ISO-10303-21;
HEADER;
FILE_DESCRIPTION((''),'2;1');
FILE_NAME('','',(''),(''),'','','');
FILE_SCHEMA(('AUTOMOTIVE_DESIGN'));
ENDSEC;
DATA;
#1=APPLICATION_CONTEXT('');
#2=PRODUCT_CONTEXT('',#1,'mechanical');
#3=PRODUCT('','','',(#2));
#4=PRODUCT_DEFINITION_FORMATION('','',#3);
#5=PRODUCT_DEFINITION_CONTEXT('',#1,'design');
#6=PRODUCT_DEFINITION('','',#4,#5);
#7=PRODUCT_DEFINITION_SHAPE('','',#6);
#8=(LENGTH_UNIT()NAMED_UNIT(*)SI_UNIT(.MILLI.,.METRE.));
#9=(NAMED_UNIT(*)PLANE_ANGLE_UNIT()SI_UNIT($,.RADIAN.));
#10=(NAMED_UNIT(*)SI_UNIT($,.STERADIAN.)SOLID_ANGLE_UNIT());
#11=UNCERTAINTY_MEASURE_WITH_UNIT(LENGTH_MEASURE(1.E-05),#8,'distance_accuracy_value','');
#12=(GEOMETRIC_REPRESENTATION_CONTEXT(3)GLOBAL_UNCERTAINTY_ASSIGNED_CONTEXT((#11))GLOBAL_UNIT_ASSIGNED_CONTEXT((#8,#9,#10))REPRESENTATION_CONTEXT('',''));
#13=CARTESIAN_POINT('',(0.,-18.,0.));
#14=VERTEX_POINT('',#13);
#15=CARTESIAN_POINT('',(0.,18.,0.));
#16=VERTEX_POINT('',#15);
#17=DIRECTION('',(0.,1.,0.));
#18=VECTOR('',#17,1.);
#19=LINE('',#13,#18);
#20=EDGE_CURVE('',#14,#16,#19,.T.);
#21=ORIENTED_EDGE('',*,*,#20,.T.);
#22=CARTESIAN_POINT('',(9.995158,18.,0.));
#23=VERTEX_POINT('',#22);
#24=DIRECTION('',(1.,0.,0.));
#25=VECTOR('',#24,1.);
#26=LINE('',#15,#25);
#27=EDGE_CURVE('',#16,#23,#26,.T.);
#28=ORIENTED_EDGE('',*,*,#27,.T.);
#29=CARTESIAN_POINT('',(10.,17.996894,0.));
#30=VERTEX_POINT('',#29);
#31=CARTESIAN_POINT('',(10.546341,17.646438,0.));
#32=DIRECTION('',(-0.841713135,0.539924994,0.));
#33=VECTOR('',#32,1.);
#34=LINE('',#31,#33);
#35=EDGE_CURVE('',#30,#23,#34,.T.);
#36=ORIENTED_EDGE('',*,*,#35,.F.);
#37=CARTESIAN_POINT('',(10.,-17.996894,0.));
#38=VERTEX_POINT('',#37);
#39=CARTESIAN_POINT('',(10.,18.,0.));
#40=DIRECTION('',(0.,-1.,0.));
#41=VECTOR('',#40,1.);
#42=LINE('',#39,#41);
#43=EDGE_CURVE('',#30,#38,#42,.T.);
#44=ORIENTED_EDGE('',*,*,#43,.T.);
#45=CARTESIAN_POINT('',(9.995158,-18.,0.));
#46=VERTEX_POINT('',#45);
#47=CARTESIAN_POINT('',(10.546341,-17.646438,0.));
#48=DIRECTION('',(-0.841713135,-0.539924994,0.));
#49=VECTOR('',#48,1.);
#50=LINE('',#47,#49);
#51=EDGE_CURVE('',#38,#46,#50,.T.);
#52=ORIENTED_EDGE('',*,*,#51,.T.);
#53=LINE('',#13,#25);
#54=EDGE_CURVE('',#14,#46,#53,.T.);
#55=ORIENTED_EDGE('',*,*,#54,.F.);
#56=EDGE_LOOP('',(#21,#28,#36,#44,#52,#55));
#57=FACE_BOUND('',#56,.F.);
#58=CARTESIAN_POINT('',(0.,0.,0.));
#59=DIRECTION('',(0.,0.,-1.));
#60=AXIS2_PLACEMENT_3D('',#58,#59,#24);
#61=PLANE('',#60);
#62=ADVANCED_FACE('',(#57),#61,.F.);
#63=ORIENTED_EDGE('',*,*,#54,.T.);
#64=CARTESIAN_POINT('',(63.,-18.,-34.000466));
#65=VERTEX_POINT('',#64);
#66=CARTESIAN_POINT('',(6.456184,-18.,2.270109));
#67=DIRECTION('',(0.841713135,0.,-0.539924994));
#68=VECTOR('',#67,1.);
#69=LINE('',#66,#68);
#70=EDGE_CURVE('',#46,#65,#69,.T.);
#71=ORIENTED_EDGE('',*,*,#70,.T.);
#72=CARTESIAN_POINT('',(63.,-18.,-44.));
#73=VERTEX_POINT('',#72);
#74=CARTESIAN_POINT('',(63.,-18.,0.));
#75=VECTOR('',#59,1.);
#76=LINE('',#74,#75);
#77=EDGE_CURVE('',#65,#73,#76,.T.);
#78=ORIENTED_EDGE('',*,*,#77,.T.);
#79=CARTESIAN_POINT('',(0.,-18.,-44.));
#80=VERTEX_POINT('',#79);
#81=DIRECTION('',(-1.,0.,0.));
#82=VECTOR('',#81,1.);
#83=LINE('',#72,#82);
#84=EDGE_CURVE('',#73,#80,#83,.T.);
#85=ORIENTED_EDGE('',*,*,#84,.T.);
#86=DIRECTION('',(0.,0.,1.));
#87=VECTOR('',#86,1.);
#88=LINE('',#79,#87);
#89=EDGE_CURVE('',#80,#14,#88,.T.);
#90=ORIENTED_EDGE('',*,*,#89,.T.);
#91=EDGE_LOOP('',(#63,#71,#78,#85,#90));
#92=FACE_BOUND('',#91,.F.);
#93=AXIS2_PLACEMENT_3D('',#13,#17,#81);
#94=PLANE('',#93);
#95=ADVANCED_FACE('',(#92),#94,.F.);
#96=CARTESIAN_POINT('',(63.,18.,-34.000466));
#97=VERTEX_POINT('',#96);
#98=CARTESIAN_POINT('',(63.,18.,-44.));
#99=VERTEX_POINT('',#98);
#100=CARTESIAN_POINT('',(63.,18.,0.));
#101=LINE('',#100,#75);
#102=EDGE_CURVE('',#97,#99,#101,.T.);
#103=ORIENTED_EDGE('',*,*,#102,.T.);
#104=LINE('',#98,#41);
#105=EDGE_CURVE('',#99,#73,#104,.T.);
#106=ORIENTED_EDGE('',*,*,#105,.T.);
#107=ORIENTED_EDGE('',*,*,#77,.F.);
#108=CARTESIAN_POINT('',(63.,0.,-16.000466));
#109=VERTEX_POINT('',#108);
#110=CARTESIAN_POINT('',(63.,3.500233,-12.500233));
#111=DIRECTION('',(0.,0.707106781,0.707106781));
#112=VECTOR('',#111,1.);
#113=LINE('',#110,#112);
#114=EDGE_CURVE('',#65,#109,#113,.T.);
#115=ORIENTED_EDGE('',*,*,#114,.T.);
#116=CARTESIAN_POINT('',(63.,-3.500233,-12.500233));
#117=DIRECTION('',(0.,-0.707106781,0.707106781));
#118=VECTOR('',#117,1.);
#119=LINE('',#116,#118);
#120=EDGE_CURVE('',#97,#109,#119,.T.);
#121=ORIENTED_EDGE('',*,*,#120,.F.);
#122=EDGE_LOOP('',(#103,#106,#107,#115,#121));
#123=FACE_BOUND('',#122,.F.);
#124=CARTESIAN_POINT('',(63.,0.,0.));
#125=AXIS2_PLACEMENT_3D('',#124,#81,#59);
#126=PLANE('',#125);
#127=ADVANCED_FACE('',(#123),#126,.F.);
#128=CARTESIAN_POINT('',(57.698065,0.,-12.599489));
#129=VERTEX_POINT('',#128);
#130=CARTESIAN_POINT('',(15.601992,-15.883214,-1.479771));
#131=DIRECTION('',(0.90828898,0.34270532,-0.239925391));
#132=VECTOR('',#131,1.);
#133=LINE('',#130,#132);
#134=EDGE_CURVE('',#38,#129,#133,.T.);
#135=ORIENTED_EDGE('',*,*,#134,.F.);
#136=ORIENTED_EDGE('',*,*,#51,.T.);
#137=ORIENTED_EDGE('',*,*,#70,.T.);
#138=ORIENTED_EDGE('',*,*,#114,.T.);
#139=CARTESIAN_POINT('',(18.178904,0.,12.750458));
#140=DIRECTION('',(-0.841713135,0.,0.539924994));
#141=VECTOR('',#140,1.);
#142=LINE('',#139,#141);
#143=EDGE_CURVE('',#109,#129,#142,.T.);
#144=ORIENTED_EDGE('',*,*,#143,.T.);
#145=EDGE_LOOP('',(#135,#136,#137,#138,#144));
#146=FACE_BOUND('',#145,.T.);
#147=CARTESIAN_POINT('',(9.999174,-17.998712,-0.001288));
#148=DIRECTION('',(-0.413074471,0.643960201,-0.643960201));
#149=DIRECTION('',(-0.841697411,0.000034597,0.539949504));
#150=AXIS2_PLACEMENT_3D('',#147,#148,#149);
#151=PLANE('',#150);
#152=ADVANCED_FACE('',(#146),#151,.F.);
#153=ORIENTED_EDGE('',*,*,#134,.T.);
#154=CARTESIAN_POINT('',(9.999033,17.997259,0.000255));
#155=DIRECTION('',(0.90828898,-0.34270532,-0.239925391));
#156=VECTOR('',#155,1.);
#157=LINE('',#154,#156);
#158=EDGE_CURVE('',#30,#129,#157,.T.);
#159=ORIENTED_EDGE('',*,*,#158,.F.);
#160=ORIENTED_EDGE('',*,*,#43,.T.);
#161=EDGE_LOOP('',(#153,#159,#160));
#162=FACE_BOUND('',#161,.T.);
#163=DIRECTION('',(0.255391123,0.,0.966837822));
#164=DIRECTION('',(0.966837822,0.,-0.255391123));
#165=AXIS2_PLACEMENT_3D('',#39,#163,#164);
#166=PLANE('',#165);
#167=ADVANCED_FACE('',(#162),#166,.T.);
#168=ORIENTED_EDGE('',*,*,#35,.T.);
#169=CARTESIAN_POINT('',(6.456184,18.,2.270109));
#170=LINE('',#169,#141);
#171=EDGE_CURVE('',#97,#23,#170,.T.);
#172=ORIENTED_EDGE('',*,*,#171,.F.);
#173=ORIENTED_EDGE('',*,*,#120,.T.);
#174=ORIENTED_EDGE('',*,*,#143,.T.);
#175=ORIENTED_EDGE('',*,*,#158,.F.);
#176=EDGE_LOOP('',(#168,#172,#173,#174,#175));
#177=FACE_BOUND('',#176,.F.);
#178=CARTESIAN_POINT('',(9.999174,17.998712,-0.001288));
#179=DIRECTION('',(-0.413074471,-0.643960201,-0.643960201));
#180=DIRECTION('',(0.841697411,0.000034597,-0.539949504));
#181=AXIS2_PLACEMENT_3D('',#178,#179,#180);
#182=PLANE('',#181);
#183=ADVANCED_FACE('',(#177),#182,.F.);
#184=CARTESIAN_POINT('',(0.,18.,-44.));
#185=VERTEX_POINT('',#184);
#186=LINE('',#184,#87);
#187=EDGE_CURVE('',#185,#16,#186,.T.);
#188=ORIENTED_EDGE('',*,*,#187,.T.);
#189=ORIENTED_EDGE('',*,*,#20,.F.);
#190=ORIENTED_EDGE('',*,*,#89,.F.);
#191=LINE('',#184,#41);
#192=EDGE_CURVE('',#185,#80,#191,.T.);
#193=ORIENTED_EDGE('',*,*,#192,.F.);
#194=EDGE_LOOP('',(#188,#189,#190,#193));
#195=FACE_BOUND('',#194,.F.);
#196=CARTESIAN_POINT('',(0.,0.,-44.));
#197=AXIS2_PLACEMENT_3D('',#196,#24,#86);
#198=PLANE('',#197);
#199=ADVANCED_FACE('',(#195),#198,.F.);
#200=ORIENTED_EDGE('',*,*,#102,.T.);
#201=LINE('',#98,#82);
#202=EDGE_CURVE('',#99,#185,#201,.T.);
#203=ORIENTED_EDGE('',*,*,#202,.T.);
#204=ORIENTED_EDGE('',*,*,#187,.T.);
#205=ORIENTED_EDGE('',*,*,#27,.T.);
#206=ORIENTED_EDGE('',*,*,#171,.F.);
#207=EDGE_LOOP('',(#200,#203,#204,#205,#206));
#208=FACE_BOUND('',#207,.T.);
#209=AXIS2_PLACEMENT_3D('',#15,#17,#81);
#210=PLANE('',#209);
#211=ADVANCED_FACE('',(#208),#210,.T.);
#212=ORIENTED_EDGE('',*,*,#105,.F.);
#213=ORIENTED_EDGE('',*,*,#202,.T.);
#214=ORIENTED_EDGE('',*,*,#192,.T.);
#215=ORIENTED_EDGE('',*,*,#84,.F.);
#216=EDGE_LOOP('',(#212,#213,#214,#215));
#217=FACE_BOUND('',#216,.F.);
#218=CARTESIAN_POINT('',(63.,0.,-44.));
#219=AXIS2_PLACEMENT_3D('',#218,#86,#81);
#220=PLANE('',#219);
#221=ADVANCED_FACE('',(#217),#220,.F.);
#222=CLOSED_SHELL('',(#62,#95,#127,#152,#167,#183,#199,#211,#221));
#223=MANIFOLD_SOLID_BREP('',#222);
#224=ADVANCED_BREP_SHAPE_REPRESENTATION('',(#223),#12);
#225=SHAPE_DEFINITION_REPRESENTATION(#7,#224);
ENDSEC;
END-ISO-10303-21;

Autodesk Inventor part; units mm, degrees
ref_plane "YZ Plane" through (0, 0, 0) normal (1, 0, 0) x (0, 1, 0)
ref_plane "XZ Plane" through (0, 0, 0) normal (0, 1, 0) x (-1, 0, 0)
sketch "草圖1" plane through (0, 0, 0) normal (0, 1, 0) x (-1, 0, 0)
  line L0 (0, 0) -> (-63, 0)
  line L1 (-63, 0) -> (-63, -44)
  line L2 (-63, -44) -> (0, -44)
  line L3 (0, -44) -> (0, 0)
  dimension "d0" = 63
  dimension "d1" = 44
extrude "擠出1" add sketch "草圖1" along normal mid plane 36
sketch "草圖2" plane through (0, 18, 0) normal (0, 1, 0) x (1, 0, 0)
  line L0 (0, 0) -> (63, 0) projected
  line L1 (10, 0) -> (63, 14)
  line L2 (63, 0) -> (63, 44) projected
  dimension "d4" = 10
  dimension "d5" = 30
extrude "擠出2" cut sketch "草圖2" against normal blind 40
sketch "草圖3" plane through (63, -18, -44) normal (1, 0, 0) x (0, 0, -1)
  line L0 (-30, 16) -> (-10, 36)
  line L1 (0, 36) -> (-44, 36) projected
  line L2 (-30, 36) -> (-30, 0) projected
  point P0 (-44, 18)
  dimension "d8" = 20
  dimension "d9" = 20
ref_plane "工作平面1" through (10, 18, 0) normal (-0.4131, -0.644, -0.644) x (0.8417, 0, -0.54)
sketch "草圖4" plane through (10, 18, 0) normal (-0.4131, -0.644, -0.644) x (0.8417, 0, -0.54)
  line L0 (-15.1543, -12.3218) -> (93.717, -12.3218)
  line L1 (93.717, -12.3218) -> (93.717, 28.8166)
  line L2 (93.717, 28.8166) -> (-15.1543, 28.8166)
  line L3 (-15.1543, 28.8166) -> (-15.1543, -12.3218)
  point P0 (-8.4169, 10.2941)
extrude "擠出3" cut sketch "草圖4" against normal blind 40
mirror "鏡射1" about plane through (0, 0, 0) normal (0, 1, 0) of "擠出3"
properties part number "24"
